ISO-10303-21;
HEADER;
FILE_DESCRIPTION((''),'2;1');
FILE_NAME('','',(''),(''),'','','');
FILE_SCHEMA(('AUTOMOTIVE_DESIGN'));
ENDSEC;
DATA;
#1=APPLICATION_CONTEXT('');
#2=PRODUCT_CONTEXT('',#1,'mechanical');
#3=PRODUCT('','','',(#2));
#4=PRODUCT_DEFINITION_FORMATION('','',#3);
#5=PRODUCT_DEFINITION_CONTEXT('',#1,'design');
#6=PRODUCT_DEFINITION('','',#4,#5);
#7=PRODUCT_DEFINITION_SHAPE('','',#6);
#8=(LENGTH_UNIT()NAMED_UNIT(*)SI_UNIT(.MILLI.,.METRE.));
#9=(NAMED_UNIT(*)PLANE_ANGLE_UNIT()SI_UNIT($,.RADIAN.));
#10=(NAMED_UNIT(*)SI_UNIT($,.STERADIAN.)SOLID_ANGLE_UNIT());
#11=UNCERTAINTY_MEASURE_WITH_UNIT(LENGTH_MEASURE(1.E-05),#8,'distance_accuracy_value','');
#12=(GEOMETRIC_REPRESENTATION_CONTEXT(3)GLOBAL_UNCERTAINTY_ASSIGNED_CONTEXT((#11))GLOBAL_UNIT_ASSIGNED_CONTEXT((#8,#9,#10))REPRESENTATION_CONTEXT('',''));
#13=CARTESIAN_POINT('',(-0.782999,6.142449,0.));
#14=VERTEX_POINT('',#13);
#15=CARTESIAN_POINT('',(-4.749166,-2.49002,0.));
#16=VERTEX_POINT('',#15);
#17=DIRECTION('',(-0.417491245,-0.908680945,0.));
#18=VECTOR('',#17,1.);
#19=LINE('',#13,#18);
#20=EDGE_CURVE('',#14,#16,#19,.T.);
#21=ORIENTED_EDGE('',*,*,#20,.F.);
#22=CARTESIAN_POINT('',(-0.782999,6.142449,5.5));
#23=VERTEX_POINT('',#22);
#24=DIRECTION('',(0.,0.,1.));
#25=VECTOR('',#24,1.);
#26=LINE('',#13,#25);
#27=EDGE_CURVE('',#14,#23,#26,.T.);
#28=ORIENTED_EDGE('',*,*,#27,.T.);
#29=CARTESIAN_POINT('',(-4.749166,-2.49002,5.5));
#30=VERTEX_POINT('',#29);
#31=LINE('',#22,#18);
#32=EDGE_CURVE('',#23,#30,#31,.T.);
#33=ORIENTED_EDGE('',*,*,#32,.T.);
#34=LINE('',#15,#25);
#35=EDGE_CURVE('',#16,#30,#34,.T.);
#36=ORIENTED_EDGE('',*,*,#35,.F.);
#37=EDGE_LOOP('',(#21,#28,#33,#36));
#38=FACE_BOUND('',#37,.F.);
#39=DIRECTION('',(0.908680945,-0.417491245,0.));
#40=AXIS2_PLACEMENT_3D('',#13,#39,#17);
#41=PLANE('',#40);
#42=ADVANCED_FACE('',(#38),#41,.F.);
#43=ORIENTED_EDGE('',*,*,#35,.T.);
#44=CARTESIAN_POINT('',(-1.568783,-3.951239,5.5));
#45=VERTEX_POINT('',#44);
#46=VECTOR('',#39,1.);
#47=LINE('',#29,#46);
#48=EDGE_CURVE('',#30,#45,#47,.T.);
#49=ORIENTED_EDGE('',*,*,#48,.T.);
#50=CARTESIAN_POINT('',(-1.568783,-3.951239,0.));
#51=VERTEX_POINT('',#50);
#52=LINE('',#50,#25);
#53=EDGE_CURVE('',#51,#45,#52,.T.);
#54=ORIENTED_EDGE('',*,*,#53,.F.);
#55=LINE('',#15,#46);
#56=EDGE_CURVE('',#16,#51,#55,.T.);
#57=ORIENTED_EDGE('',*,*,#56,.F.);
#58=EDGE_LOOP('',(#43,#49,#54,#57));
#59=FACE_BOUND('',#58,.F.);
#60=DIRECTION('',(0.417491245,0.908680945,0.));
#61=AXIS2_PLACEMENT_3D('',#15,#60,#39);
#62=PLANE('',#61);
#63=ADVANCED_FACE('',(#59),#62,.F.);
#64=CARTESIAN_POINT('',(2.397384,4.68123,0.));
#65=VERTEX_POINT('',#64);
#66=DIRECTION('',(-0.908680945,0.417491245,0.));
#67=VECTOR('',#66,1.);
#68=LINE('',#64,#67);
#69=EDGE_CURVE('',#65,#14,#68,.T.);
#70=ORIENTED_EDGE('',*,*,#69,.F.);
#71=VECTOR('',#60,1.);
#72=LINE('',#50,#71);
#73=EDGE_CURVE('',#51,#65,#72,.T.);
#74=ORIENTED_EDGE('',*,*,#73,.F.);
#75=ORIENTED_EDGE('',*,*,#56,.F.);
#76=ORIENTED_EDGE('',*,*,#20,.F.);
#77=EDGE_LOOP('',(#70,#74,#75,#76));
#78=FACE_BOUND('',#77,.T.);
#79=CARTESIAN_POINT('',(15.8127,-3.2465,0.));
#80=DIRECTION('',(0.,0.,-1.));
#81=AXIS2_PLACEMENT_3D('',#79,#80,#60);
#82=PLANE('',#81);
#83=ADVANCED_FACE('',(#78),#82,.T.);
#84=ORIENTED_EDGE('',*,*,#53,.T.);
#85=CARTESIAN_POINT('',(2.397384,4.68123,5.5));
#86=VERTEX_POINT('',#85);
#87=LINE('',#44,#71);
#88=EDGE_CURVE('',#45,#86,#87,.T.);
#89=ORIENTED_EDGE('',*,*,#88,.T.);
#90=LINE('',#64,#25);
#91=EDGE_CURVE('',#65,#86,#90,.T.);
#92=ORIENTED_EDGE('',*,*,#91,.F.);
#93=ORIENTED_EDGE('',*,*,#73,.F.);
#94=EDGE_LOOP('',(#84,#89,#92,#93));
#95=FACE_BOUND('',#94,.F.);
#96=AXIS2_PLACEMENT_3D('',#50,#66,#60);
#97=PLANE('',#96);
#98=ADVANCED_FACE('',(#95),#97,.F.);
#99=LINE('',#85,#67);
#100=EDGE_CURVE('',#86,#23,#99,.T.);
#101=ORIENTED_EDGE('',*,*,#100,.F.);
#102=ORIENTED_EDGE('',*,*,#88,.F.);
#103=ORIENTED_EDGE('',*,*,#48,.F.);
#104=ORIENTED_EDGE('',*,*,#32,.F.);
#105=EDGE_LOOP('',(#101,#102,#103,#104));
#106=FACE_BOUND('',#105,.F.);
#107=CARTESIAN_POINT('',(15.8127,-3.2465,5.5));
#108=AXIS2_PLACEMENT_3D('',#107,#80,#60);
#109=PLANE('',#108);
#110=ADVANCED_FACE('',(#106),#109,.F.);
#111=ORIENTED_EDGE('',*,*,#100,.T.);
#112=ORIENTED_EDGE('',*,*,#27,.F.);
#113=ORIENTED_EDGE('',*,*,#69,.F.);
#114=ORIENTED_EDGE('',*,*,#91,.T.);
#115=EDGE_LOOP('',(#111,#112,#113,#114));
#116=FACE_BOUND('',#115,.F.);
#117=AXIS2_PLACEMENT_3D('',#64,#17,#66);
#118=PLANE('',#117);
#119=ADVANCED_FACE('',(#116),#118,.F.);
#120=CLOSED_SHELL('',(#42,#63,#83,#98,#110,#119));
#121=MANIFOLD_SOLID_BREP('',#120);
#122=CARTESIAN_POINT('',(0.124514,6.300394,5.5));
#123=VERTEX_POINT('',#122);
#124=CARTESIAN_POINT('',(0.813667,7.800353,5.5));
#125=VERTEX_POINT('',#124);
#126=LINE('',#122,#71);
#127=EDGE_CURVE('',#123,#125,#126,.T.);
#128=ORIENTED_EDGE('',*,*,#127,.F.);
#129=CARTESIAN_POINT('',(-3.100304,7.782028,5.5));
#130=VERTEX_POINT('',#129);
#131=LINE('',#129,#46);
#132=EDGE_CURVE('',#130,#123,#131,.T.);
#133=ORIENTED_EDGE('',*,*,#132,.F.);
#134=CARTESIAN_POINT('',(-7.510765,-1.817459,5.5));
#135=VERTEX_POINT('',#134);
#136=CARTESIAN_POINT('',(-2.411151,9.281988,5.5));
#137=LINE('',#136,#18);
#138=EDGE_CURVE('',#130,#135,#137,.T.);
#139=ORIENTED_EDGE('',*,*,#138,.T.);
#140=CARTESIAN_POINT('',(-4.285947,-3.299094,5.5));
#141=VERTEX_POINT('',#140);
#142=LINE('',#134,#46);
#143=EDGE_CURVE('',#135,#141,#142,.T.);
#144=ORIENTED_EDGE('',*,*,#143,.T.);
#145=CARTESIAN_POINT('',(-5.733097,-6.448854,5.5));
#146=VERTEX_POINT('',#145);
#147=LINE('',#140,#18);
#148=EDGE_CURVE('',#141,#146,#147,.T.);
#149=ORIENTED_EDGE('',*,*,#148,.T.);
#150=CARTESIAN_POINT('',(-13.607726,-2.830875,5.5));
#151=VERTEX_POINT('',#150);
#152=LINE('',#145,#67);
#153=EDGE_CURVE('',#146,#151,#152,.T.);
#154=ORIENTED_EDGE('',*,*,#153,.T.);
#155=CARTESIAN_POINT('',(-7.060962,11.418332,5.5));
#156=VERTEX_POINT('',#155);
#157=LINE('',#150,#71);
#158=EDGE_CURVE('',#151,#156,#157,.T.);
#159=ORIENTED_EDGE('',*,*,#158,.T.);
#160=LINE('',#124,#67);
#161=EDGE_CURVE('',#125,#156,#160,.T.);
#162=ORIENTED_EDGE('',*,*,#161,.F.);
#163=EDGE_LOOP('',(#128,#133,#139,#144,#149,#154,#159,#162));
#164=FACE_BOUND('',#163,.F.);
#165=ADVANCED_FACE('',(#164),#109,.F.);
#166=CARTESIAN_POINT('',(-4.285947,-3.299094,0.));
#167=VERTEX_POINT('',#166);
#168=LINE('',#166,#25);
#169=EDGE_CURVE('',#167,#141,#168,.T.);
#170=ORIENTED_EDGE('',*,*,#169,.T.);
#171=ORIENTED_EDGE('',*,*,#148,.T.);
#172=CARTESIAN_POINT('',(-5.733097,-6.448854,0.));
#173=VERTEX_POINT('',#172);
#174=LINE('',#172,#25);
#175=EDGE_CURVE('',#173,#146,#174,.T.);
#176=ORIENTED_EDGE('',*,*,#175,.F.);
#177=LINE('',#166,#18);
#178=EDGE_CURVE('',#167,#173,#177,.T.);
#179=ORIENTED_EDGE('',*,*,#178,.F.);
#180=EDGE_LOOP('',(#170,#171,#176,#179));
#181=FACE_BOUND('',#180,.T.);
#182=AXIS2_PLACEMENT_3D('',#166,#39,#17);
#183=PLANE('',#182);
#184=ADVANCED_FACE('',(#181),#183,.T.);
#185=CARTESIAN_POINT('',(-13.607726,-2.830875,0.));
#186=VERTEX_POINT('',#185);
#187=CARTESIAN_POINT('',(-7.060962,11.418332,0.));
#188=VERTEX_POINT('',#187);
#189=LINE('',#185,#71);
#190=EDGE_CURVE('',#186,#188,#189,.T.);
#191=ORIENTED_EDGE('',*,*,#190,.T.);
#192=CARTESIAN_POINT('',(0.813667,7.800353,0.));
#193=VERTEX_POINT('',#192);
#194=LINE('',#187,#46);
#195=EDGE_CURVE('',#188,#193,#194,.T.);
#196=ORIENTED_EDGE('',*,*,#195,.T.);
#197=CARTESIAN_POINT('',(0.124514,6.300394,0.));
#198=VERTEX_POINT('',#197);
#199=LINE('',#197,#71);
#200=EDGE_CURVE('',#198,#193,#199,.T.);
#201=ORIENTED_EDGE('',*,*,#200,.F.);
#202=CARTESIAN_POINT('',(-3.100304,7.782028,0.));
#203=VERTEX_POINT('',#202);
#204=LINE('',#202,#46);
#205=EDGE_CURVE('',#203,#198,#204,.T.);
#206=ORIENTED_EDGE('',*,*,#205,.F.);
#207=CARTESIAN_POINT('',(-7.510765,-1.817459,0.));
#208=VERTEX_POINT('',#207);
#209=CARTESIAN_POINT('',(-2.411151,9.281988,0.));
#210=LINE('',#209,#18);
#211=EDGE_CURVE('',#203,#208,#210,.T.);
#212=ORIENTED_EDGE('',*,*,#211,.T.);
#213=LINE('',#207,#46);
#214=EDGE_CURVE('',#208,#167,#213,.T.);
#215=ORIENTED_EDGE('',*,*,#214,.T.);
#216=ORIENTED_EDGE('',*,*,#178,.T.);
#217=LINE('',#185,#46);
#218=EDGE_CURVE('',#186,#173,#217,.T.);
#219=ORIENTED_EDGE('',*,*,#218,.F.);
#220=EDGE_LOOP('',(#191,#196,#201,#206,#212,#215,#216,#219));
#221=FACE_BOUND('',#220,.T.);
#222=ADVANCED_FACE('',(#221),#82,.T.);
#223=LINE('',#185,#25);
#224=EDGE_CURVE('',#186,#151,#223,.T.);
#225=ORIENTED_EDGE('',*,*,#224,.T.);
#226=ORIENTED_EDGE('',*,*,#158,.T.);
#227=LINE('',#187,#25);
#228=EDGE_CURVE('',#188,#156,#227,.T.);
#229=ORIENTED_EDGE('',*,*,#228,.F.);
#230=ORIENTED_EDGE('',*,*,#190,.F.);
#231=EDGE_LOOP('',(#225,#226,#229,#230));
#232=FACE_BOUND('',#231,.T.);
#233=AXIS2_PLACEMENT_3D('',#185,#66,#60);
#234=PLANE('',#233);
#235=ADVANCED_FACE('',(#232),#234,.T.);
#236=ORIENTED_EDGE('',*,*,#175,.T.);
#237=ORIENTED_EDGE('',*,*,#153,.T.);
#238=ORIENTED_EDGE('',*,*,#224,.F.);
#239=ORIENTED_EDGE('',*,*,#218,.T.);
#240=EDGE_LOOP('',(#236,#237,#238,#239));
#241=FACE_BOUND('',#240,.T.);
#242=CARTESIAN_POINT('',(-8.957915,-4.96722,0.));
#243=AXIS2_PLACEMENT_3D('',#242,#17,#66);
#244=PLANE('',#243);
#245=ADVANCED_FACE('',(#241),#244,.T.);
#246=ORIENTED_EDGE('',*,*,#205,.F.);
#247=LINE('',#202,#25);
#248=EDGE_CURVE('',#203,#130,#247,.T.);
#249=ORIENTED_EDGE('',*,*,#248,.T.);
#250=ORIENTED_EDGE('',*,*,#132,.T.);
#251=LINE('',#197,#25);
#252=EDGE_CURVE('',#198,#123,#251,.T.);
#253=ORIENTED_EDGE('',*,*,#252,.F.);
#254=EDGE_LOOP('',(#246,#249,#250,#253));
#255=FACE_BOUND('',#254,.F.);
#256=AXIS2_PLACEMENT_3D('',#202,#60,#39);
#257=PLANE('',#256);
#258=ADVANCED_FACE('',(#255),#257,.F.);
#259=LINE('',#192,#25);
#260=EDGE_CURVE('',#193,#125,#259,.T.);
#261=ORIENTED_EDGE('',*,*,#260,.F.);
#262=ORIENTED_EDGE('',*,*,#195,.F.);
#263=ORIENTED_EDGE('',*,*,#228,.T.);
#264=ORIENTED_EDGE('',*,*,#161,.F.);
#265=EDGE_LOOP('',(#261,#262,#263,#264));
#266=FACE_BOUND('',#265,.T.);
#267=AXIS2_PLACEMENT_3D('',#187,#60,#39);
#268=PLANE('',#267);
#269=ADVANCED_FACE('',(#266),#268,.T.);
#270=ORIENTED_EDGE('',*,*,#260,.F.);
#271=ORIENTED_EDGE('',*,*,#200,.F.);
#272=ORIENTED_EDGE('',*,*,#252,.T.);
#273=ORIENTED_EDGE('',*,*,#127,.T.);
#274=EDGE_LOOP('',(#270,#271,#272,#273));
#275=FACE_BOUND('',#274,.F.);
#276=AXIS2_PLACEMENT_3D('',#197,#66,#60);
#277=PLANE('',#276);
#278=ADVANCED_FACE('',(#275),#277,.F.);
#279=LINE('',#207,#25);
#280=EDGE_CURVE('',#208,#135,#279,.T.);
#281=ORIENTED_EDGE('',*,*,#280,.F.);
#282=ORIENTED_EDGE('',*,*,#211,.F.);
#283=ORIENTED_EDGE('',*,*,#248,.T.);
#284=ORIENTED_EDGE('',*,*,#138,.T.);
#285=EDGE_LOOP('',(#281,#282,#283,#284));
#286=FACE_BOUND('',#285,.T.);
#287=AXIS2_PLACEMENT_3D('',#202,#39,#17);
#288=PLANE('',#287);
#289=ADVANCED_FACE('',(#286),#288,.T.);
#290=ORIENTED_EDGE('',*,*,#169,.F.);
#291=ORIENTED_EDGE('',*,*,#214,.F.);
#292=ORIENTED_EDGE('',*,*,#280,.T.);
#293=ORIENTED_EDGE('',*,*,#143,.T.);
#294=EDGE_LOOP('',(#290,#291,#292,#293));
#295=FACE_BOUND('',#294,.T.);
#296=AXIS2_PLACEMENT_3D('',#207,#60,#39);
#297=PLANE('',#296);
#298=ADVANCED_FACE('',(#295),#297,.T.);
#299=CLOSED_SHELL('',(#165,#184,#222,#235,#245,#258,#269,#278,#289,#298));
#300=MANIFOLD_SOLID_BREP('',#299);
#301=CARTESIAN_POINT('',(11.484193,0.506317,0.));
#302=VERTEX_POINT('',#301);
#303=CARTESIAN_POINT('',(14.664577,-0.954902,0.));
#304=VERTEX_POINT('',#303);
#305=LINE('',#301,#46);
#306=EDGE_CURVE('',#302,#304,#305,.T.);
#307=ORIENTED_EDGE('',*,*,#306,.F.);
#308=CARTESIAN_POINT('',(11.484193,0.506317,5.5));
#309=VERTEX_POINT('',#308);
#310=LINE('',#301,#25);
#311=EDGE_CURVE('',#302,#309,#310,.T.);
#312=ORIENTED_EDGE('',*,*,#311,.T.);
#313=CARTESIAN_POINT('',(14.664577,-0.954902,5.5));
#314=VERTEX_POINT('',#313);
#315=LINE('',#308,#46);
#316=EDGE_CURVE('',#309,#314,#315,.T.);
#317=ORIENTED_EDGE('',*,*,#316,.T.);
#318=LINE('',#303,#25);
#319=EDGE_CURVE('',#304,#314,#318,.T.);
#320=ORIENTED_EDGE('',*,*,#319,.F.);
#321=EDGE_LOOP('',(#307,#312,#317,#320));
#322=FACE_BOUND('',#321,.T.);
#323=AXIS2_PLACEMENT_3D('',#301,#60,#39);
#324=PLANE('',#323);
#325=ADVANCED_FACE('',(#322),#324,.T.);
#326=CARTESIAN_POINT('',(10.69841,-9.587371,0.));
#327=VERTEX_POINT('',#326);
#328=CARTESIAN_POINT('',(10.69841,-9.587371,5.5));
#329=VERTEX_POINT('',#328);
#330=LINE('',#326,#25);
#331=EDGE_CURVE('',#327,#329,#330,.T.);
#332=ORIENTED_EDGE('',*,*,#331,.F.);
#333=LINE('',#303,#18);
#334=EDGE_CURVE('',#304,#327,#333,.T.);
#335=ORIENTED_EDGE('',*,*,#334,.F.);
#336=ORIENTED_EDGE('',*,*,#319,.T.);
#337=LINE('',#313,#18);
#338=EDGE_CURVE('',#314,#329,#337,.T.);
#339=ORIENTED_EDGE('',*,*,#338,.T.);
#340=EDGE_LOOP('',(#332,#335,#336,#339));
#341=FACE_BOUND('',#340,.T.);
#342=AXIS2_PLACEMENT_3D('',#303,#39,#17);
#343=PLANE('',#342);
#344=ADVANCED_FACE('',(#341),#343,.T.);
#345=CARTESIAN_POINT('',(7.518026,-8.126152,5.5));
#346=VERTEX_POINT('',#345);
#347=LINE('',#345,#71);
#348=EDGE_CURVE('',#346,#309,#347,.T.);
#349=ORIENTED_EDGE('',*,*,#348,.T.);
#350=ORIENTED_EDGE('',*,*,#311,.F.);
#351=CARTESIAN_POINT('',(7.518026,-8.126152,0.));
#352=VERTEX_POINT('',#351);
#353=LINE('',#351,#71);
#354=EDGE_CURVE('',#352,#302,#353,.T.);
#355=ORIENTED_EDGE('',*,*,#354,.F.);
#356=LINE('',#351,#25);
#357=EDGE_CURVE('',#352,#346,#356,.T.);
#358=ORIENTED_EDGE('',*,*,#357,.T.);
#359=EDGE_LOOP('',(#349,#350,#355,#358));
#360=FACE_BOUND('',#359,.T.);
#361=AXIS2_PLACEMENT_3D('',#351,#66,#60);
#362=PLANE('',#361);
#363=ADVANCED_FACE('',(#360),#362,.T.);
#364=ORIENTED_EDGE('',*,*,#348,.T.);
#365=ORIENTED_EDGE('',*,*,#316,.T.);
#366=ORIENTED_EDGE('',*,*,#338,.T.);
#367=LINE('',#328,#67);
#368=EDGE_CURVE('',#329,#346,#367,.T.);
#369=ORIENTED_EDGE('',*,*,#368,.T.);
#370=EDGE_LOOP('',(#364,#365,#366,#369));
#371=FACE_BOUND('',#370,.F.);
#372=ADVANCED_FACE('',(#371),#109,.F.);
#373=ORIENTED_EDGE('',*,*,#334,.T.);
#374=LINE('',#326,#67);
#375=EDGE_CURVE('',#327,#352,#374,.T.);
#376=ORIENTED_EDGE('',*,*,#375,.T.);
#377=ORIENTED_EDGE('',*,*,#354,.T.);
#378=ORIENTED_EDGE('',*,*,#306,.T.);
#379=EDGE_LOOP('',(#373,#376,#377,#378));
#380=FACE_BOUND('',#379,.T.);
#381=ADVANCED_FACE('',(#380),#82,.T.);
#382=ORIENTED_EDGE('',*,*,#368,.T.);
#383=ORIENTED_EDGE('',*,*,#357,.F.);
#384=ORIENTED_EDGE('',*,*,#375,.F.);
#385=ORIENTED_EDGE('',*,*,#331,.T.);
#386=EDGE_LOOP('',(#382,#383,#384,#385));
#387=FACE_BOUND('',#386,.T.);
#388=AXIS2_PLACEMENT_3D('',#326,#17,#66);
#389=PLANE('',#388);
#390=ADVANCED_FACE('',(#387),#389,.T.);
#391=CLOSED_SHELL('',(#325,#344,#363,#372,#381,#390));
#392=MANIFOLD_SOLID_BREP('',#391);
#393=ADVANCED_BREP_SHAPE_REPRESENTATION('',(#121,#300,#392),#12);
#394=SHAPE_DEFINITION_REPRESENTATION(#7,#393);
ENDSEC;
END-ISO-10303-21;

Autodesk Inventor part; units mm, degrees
ref_plane "YZ Plane" through (0, 0, 0) normal (1, 0, 0) x (0, 1, 0)
ref_plane "XZ Plane" through (0, 0, 0) normal (0, 1, 0) x (-1, 0, 0)
ref_plane "XY Plane" through (0, 0, 0) normal (0, 0, 1) x (1, 0, 0)
ref_plane "Work Plane1" through (0, 0, 0) normal (0, 0, 1) x (1, 0, 0)
ref_plane "Work Plane2" through (15.8127, -3.2465, 0) normal (0, 0, -1) x (0.4175, 0.9087, 0)
sketch "Sketch1" plane through (15.8127, -3.2465, 0) normal (0, 0, -1) x (0.4175, 0.9087, 0)
  arc A0 (9.303, -26.8555) -> (8.303, -25.8555) centre (8.303, -26.8555) ccw construction
  line L0 (9.303, -26.8555) -> (9.303, -30) construction
  line L1 (9.303, -30) -> (-16.397, -30) construction
  line L2 (-16.397, -30) -> (-16.397, -20.4723) construction
  arc A1 (-15.397, -19.4723) -> (-16.397, -20.4723) centre (-15.397, -20.4723) ccw construction
  line L3 (-15.397, -19.4723) -> (-13.5347, -19.4723) construction
  arc A2 (-13.5347, -19.4723) -> (-12.5347, -18.4723) centre (-13.5347, -18.4723) ccw construction
  line L4 (-12.5347, -18.4723) -> (-12.5347, 0) construction
  line L5 (-12.5347, 0) -> (-1, 0) construction
  arc A3 (-1, 0) -> (0, 1) centre (-1, 1) ccw construction
  line L6 (0, 1) -> (0, 2) construction
  arc A4 (1, 3) -> (0, 2) centre (1, 2) ccw construction
  line L7 (1, 3) -> (3.5653, 3) construction
  arc A5 (4.5653, 2) -> (3.5653, 3) centre (3.5653, 2) ccw construction
  line L8 (4.5653, 2) -> (4.5653, -24.8555) construction
  arc A6 (4.5653, -24.8555) -> (5.5653, -25.8555) centre (5.5653, -24.8555) ccw construction
  line L9 (5.5653, -25.8555) -> (8.303, -25.8555) construction
  line L10 (2.603, -17.5) -> (2.603, -2) construction
  line L11 (2.603, -2) -> (-10.897, -2) construction
  line L12 (-10.897, -2) -> (-10.897, -17.5) construction
  line L13 (-10.897, -17.5) -> (2.603, -17.5) construction
  circle A7 centre (6.603, -27.5) radius 1 construction
  circle A8 centre (-13.897, -21) radius 1 construction
  circle A9 centre (1.603, 0.5) radius 1 construction
  line L14 (1.603, -19) -> (-7.897, -19)
  line L15 (-7.897, -19) -> (-7.897, -15.5)
  line L16 (-7.897, -15.5) -> (1.603, -15.5)
  line L17 (1.603, -15.5) -> (1.603, -19)
  line L18 (1.603, -2) -> (-7.897, -2)
  line L19 (-7.897, -2) -> (-7.897, -5.5)
  line L20 (-7.897, -5.5) -> (1.603, -5.5)
  line L21 (1.603, -5.5) -> (1.603, -2)
  point P0 (-3.6519, -15.7241)
  dimension "d0" = 9.5
  dimension "d1" = 3.5
  dimension "d2" = 9.5
  dimension "d3" = 3.5
  dimension "d4" = 0
  dimension "d5" = 2.5
  dimension "d6" = 10
  dimension "d7" = 0
extrude "Extrusion1" add sketch "Sketch1" against normal blind 5.5
ref_plane "Work Plane3" through (0, 0, -1) normal (0, 0, -1) x (-1, 0, 0)
sketch "Sketch2" plane through (15.8127, -3.2465, 0) normal (0, 0, -1) x (0.4175, 0.9087, 0)
  line L0 (-11.9051, -26.9073) -> (3.7761, -26.9073)
  line L1 (3.7761, -26.9073) -> (3.7761, -21.7902)
  line L2 (3.7761, -21.7902) -> (-11.9051, -21.7902)
  line L3 (-11.9051, -21.7902) -> (-11.9051, -26.9073)
  line L4 (3.7761, -21.7902) -> (2.1254, -21.7902)
  line L5 (2.1254, -21.7902) -> (2.1254, -18.2413)
  line L6 (2.1254, -18.2413) -> (3.7761, -18.2413)
  line L7 (3.7761, -18.2413) -> (3.7761, -21.7902)
  line L8 (-8.4388, -18.2413) -> (-11.9051, -18.2413)
  line L9 (-11.9051, -18.2413) -> (-11.9051, -21.7902)
  line L10 (-11.9051, -21.7902) -> (-8.4388, -21.7902)
  line L11 (-8.4388, -21.7902) -> (-8.4388, -18.2413)
  point P0 (-3.6519, -15.7241)
extrude "Extrusion2" add sketch "Sketch2" against normal blind 5.5
ref_plane "Arbeitsebene4" through (-2.2914, -8.03, 0) normal (-0.9087, 0.4175, 0) x (0, 0, 1)
properties part number "00_KES_Bluray_Magnet"
